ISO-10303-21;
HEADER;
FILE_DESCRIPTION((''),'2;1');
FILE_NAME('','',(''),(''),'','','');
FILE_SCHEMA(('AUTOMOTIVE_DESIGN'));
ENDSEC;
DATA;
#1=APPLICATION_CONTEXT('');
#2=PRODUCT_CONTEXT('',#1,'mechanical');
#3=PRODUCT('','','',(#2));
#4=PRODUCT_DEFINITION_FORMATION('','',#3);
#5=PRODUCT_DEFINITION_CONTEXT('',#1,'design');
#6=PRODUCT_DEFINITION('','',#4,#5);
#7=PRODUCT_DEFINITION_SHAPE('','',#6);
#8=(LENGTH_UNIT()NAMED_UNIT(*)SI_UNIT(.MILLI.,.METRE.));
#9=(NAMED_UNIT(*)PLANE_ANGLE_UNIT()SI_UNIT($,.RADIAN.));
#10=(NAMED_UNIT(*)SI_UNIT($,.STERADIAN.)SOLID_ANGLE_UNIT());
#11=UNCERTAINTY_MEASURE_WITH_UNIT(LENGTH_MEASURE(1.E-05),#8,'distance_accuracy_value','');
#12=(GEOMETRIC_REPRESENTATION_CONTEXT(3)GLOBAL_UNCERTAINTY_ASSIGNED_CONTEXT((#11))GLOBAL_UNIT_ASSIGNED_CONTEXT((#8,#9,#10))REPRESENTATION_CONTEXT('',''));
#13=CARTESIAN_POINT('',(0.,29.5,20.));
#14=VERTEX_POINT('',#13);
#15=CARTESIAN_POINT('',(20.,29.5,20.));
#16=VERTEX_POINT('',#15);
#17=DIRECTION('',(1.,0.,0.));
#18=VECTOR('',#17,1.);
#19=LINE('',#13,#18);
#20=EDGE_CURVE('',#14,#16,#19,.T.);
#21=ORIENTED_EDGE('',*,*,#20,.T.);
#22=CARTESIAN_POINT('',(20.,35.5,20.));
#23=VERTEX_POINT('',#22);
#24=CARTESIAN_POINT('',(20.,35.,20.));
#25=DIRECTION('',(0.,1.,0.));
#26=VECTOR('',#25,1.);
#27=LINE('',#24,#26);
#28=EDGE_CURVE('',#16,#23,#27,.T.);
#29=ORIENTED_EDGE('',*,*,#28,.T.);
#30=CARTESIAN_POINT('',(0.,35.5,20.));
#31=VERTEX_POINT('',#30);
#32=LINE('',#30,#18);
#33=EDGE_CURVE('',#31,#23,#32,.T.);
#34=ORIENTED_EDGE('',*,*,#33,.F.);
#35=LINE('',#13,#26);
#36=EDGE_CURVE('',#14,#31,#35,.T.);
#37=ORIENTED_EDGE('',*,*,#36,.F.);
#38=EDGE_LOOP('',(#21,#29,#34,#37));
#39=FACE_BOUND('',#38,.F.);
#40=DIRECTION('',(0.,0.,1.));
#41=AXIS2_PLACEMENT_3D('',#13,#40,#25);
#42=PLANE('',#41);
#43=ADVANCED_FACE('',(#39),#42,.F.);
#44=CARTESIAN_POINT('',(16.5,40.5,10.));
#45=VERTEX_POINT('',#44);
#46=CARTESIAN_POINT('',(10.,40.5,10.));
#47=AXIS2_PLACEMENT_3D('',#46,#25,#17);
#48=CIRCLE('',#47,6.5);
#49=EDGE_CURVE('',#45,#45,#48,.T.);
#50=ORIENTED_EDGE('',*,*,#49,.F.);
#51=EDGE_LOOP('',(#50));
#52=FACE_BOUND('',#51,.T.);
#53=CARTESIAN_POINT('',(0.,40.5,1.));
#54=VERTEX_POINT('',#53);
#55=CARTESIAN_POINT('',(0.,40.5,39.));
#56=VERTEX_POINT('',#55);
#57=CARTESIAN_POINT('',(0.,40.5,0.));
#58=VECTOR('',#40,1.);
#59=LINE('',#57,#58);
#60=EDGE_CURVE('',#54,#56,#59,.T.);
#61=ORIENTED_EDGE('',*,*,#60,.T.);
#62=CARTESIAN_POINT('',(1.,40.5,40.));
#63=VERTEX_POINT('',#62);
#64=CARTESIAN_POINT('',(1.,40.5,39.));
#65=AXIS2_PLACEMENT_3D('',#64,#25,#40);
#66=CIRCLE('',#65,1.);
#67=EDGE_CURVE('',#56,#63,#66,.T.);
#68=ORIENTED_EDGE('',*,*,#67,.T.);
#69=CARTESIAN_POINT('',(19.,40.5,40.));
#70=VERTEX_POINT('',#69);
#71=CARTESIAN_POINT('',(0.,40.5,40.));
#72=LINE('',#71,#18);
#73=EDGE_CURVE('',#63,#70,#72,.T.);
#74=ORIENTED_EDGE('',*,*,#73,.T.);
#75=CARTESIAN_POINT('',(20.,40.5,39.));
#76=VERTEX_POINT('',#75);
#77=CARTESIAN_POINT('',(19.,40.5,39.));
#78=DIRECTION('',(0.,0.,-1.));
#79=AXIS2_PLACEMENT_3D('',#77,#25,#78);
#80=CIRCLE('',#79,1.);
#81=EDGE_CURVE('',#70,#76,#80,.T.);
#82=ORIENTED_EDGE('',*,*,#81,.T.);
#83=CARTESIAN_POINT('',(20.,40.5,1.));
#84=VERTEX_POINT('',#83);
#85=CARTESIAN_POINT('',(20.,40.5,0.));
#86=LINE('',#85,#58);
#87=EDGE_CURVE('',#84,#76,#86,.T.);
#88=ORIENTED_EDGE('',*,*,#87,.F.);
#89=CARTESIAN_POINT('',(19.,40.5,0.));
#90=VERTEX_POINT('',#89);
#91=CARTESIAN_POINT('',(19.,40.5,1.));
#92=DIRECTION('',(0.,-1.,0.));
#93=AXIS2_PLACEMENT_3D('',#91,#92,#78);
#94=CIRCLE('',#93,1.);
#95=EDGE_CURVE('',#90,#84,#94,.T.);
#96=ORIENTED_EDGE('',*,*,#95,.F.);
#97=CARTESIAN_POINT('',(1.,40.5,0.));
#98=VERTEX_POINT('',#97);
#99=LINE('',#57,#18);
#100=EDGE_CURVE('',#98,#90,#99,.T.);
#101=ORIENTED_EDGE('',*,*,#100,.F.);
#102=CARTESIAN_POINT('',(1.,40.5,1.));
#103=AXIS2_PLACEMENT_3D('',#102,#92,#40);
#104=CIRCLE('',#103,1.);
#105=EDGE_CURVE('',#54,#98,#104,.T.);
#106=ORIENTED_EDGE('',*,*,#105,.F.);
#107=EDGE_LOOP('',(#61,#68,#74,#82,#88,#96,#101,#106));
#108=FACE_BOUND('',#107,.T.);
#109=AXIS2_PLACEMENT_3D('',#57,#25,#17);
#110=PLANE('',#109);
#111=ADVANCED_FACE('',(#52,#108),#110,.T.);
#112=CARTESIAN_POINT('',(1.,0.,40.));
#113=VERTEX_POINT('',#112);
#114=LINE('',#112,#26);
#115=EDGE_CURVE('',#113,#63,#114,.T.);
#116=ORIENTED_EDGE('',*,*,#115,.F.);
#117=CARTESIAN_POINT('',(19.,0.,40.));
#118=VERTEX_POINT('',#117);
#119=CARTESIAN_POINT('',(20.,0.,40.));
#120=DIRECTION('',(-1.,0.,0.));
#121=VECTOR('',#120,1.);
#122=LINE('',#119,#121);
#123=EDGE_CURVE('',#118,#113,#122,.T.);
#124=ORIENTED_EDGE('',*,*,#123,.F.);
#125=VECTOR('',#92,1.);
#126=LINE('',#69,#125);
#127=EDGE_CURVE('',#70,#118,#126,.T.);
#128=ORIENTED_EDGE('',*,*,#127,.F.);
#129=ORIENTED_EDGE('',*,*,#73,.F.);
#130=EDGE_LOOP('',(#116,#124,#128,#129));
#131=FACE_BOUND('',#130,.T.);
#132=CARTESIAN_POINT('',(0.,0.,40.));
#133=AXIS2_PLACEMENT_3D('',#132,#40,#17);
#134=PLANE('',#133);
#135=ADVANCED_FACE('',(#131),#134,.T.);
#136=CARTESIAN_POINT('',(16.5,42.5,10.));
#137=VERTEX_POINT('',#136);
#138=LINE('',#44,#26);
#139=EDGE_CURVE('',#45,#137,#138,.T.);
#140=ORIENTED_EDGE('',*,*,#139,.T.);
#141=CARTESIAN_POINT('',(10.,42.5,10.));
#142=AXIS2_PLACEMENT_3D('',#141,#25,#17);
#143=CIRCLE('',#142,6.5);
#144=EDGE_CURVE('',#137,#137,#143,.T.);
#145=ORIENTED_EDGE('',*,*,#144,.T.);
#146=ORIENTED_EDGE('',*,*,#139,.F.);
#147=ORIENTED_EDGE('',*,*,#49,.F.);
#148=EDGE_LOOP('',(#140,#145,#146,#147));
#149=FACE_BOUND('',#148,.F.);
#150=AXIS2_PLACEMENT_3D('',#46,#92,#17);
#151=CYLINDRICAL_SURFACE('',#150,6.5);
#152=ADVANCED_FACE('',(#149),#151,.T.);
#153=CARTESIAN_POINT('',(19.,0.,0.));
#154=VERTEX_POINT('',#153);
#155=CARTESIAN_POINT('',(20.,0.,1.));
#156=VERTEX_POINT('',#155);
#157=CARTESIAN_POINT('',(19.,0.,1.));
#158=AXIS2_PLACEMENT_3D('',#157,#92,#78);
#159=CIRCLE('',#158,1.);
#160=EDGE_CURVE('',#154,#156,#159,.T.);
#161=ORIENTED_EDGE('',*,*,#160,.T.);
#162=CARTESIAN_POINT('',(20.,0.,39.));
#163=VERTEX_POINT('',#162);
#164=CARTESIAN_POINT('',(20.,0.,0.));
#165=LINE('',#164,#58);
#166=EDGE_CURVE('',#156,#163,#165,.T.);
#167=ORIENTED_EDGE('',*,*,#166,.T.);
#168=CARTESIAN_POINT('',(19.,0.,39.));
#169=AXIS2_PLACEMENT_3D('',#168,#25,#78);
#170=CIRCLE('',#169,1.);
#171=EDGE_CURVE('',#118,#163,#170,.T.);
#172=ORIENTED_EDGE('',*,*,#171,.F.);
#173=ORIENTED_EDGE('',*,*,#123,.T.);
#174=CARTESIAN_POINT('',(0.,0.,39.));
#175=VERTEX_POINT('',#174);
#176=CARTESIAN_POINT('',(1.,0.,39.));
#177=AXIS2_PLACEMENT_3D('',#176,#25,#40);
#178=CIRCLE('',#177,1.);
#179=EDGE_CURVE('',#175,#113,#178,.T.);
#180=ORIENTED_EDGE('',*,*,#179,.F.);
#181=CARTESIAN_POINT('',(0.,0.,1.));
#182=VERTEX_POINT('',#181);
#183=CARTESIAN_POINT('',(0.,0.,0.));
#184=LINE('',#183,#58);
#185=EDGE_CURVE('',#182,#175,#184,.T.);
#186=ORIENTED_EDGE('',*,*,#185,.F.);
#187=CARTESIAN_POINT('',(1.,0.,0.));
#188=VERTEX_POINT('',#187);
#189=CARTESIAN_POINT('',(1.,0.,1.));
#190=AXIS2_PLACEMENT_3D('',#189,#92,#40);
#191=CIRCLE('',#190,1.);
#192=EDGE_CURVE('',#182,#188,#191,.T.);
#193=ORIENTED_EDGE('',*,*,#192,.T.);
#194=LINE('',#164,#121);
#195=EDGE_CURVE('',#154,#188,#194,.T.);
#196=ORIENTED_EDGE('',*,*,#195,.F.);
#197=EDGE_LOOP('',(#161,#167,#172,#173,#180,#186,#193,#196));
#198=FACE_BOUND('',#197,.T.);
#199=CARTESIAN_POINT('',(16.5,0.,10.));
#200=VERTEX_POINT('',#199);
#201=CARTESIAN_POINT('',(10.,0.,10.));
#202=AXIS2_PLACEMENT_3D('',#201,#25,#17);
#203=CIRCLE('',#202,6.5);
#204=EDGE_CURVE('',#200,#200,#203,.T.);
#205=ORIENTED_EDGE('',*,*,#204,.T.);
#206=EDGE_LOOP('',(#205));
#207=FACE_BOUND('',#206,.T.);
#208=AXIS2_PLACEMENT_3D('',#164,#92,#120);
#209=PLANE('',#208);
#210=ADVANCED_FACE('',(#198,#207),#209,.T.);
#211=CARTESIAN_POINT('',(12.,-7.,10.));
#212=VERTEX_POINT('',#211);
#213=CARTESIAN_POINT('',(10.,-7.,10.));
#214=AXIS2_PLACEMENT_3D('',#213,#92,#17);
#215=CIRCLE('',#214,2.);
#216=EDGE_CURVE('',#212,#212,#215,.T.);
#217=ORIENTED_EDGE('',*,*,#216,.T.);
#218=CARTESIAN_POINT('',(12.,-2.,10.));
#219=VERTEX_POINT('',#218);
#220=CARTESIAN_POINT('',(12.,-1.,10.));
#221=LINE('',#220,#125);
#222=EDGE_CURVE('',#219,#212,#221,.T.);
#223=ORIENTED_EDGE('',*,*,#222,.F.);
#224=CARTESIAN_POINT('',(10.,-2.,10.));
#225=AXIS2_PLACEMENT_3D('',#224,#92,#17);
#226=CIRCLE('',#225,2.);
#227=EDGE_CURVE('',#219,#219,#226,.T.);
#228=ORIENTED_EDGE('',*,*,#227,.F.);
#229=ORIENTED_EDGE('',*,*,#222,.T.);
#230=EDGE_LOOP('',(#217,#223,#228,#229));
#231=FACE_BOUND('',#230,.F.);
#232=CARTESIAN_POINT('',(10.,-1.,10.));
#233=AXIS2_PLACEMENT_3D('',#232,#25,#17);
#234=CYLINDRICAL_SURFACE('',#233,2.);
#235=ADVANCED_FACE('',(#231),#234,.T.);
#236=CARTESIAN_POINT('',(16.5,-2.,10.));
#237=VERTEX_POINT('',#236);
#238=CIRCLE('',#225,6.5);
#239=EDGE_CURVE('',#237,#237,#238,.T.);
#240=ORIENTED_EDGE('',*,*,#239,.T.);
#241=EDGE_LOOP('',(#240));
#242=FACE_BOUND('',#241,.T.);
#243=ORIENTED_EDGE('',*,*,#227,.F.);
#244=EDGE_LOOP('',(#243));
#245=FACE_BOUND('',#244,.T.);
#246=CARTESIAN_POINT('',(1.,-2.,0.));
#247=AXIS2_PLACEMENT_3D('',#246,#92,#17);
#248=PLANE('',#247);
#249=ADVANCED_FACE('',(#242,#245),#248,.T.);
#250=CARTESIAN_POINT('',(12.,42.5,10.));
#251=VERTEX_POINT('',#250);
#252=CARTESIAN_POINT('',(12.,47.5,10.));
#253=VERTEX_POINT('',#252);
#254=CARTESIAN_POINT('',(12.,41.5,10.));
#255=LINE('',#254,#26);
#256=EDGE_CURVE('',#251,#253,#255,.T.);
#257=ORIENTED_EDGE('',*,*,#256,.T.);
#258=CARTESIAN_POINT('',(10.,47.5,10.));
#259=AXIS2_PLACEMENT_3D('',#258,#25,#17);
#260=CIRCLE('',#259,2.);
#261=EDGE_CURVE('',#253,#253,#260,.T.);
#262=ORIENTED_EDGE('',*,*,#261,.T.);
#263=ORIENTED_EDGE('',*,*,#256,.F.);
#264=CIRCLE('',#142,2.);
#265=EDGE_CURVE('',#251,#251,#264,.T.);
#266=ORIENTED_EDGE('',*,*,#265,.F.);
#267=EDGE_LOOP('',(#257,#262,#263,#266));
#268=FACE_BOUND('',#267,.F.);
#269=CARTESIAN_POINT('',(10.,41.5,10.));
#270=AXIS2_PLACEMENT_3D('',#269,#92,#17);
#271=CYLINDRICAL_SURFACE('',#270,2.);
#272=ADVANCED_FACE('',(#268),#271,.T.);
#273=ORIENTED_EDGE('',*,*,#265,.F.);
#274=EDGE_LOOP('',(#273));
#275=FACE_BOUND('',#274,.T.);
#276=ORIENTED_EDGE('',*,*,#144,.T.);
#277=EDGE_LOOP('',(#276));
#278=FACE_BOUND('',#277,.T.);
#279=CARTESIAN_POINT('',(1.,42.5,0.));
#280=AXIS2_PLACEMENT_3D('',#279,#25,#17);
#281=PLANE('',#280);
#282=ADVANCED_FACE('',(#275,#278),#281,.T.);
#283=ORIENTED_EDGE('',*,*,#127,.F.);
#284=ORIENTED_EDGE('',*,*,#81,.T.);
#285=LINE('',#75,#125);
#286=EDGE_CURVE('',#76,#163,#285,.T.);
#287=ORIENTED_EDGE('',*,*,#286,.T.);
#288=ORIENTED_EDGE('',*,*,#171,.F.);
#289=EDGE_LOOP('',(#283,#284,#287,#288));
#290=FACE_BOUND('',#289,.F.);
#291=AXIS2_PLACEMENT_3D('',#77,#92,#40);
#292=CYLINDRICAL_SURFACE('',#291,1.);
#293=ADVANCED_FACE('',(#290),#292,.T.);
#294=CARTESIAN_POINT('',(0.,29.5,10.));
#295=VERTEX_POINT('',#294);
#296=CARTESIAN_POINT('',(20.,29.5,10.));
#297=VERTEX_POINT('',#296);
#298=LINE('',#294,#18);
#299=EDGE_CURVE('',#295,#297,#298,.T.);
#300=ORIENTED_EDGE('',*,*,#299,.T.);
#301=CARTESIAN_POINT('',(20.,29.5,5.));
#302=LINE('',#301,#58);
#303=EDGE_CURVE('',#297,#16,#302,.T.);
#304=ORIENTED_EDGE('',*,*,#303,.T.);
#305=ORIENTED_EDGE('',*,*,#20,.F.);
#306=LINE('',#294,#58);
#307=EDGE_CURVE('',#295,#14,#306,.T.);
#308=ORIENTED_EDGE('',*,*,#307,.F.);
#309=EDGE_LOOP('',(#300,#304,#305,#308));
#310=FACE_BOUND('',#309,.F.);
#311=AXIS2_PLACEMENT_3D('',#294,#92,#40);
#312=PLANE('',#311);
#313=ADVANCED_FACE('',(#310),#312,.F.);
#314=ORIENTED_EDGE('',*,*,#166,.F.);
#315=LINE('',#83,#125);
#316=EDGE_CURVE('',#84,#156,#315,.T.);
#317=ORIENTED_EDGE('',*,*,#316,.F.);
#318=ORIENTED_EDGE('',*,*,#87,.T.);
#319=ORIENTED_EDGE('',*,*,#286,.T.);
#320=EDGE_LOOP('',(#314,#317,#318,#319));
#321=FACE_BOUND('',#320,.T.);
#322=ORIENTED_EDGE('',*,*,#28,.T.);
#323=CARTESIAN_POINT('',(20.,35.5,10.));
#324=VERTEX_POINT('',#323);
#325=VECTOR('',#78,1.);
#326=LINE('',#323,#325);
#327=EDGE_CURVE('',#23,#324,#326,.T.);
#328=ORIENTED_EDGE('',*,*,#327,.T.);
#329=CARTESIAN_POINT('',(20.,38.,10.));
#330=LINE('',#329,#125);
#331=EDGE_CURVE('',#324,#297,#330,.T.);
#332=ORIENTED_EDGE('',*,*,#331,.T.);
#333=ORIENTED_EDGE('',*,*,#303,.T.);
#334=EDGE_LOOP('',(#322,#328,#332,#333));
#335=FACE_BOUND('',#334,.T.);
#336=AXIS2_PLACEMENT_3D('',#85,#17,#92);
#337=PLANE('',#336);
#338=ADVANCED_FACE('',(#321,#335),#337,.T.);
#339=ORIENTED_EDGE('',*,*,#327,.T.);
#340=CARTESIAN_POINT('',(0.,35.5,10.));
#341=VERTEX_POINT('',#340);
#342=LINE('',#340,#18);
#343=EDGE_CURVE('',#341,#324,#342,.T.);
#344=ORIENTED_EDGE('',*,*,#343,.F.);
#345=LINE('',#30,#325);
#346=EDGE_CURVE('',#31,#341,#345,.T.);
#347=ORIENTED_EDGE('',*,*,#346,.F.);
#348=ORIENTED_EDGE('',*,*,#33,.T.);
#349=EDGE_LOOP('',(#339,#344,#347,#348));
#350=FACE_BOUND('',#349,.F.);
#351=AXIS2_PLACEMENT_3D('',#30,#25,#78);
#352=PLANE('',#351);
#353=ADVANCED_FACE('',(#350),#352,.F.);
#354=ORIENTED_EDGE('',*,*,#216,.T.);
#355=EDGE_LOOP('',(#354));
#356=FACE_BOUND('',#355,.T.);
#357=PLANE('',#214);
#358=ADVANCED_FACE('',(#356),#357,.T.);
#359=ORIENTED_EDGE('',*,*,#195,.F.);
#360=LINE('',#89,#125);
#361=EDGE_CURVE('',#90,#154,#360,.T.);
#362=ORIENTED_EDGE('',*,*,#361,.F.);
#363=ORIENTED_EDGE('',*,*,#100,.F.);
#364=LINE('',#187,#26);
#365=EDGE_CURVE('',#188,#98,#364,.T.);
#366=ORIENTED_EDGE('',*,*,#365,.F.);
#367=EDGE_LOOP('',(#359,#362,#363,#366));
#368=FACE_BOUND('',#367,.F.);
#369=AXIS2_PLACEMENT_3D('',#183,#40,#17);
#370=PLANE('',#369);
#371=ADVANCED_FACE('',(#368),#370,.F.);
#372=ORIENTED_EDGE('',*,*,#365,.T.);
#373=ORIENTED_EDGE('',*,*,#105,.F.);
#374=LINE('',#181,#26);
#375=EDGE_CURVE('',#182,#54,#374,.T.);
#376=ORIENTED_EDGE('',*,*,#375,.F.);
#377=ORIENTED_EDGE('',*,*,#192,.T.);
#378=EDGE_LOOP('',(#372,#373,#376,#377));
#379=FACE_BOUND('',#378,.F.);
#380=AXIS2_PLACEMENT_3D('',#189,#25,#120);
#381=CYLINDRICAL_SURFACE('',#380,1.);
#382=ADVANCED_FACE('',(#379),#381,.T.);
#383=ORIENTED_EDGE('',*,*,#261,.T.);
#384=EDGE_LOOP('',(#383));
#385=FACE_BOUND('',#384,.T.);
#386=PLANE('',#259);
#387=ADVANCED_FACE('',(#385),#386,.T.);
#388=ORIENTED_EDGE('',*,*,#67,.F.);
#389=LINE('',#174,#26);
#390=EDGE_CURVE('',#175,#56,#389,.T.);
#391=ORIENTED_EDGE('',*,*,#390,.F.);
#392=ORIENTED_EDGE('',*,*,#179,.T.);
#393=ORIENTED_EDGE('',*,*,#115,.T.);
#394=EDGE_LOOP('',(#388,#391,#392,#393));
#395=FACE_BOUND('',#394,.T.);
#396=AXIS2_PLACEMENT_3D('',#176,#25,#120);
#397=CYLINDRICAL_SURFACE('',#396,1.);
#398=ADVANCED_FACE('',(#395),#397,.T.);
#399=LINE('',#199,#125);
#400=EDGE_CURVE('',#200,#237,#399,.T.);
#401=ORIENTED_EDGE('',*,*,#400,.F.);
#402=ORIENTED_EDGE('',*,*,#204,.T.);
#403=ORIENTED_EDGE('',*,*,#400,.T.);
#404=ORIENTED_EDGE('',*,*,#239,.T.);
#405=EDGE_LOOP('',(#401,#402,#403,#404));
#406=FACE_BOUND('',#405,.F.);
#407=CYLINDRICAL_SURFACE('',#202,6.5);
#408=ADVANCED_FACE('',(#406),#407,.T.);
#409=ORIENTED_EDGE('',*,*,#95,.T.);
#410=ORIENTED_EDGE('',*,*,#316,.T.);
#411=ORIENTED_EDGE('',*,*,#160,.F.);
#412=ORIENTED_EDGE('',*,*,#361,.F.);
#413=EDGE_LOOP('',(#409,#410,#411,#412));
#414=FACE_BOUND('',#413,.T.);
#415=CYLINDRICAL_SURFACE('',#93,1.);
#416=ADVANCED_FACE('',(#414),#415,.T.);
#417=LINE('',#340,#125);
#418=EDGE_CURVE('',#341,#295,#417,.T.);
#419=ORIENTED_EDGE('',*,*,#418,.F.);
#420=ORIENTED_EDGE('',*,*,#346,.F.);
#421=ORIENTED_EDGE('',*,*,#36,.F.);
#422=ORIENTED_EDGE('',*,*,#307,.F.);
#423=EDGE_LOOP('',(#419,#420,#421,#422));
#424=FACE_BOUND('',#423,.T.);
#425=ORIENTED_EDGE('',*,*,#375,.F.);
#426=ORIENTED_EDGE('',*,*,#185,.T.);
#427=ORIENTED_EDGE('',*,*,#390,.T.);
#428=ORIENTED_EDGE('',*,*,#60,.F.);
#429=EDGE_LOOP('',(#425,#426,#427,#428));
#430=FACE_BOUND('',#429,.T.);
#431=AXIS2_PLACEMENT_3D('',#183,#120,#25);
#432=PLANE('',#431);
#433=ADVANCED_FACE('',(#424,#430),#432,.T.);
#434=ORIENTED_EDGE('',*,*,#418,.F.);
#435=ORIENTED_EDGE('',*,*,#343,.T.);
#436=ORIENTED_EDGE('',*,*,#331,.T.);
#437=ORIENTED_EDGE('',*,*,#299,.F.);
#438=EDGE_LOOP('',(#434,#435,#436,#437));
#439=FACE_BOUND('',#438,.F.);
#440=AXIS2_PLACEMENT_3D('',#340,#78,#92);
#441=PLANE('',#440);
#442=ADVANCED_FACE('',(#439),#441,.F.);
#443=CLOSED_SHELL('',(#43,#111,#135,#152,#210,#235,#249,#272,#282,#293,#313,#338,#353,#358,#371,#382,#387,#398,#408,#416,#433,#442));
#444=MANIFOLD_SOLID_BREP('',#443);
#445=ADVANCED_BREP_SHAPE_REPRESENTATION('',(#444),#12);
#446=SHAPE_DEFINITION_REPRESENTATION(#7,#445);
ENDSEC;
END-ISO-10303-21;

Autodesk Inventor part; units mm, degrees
ref_plane "YZ Plane" through (0, 0, 0) normal (1, 0, 0) x (0, 1, 0)
ref_plane "XZ Plane" through (0, 0, 0) normal (0, 1, 0) x (-1, 0, 0)
ref_plane "XY Plane" through (0, 0, 0) normal (0, 0, 1) x (1, 0, 0)
sketch "Sketch1" plane through (0, 0, 0) normal (0, 0, 1) x (1, 0, 0)
  line L0 (0, 0) -> (0, 40.5)
  line L1 (0, 40.5) -> (20, 40.5)
  line L2 (20, 40.5) -> (20, 0)
  line L3 (20, 0) -> (0, 0)
  dimension "d0" = 40.5
  dimension "d1" = 20
extrude "Extrusion1" add sketch "Sketch1" along normal blind 40
sketch "Sketch2" plane through (0, 40.5, 0) normal (0, 1, 0) x (1, 0, 0)
  line L0 (20, 0) -> (0, 0) projected
  line L1 (10, 0) -> (10, -10)
  circle A0 centre (10, -10) radius 5
  dimension "d4" = 10
  dimension "d5" = 10
extrude "Extrusion2" add sketch "Sketch2" along normal blind 1
sketch "Sketch3" plane through (10, 41.5, 10) normal (0, 1, 0) x (1, 0, 0)
  circle A0 centre (0, 0) radius 2
  point P0 (-10, 10)
  dimension "d8" = 4
extrude "Extrusion3" add sketch "Sketch3" along normal blind 6
fillet "Fillet1" radius 1 4 edges at (0, 20.25, 40) (20, 20.25, 40) (20, 20.25, 0) (0, 20.25, 0)
sketch "Sketch4" plane through (1, 0, 0) normal (0, -1, 0) x (1, 0, 0)
  line L0 (18, 0) -> (0, 0) projected
  line L1 (9, 0) -> (9, 10)
  circle A0 centre (9, 10) radius 5
  point P0 (-1, 0)
  dimension "d12" = 10
  dimension "d13" = 10
extrude "Extrusion4" add sketch "Sketch4" along normal blind 1
sketch "Sketch5" plane through (10, -1, 10) normal (0, -1, 0) x (1, 0, 0)
  circle A0 centre (0, 0) radius 2
  point P0 (-10, -10)
  dimension "d16" = 4
extrude "Extrusion5" add sketch "Sketch5" along normal blind 6
sketch "Boceto6" plane through (0, 0, 1) normal (-1, 0, 0) x (0, 0, 1)
  line L0 (-1, 0) -> (-1, 40.5) projected
  line L1 (-1, 40.5) -> (-1, 35.5)
  line L2 (-1, 35.5) -> (9, 35.5)
  line L3 (9, 35.5) -> (9, 29.5)
  line L4 (9, 29.5) -> (19, 29.5)
  line L5 (19, 29.5) -> (19, 35.5)
  line L6 (19, 35.5) -> (9, 35.5)
  dimension "d19" = 5
  dimension "d20" = 10
  dimension "d21" = 6
  dimension "d22" = 10
extrude "Extrusión6" cut sketch "Boceto6" against normal up to next
sketch "Boceto7" plane through (1, 0, 0) normal (0, -1, 0) x (1, 0, 0)
  line L0 (-1, 10) -> (19, 10) projected
  circle A0 centre (9, 10) radius 6.5
  circle A1 centre (9, 10) radius 2
  point P0 (-1, 0)
  dimension "d25" = 13
extrude "Extrusión8" add sketch "Boceto7" along normal blind 2 contours A1 L0 A0 | L0 A0 A1
sketch "Boceto8" plane through (1, 40.5, 0) normal (0, 1, 0) x (1, 0, 0)
  circle A0 centre (9, -10) radius 2 projected
  circle A1 centre (9, -10) radius 6.5
  circle A2 centre (9, -10) radius 6.5 projected
  circle A3 centre (9, -10) radius 2
  point P0 (-1, 0)
  dimension "d30" = 13
extrude "Extrusión9" add sketch "Boceto8" along normal blind 2
properties part number "servo_FT_SC"
